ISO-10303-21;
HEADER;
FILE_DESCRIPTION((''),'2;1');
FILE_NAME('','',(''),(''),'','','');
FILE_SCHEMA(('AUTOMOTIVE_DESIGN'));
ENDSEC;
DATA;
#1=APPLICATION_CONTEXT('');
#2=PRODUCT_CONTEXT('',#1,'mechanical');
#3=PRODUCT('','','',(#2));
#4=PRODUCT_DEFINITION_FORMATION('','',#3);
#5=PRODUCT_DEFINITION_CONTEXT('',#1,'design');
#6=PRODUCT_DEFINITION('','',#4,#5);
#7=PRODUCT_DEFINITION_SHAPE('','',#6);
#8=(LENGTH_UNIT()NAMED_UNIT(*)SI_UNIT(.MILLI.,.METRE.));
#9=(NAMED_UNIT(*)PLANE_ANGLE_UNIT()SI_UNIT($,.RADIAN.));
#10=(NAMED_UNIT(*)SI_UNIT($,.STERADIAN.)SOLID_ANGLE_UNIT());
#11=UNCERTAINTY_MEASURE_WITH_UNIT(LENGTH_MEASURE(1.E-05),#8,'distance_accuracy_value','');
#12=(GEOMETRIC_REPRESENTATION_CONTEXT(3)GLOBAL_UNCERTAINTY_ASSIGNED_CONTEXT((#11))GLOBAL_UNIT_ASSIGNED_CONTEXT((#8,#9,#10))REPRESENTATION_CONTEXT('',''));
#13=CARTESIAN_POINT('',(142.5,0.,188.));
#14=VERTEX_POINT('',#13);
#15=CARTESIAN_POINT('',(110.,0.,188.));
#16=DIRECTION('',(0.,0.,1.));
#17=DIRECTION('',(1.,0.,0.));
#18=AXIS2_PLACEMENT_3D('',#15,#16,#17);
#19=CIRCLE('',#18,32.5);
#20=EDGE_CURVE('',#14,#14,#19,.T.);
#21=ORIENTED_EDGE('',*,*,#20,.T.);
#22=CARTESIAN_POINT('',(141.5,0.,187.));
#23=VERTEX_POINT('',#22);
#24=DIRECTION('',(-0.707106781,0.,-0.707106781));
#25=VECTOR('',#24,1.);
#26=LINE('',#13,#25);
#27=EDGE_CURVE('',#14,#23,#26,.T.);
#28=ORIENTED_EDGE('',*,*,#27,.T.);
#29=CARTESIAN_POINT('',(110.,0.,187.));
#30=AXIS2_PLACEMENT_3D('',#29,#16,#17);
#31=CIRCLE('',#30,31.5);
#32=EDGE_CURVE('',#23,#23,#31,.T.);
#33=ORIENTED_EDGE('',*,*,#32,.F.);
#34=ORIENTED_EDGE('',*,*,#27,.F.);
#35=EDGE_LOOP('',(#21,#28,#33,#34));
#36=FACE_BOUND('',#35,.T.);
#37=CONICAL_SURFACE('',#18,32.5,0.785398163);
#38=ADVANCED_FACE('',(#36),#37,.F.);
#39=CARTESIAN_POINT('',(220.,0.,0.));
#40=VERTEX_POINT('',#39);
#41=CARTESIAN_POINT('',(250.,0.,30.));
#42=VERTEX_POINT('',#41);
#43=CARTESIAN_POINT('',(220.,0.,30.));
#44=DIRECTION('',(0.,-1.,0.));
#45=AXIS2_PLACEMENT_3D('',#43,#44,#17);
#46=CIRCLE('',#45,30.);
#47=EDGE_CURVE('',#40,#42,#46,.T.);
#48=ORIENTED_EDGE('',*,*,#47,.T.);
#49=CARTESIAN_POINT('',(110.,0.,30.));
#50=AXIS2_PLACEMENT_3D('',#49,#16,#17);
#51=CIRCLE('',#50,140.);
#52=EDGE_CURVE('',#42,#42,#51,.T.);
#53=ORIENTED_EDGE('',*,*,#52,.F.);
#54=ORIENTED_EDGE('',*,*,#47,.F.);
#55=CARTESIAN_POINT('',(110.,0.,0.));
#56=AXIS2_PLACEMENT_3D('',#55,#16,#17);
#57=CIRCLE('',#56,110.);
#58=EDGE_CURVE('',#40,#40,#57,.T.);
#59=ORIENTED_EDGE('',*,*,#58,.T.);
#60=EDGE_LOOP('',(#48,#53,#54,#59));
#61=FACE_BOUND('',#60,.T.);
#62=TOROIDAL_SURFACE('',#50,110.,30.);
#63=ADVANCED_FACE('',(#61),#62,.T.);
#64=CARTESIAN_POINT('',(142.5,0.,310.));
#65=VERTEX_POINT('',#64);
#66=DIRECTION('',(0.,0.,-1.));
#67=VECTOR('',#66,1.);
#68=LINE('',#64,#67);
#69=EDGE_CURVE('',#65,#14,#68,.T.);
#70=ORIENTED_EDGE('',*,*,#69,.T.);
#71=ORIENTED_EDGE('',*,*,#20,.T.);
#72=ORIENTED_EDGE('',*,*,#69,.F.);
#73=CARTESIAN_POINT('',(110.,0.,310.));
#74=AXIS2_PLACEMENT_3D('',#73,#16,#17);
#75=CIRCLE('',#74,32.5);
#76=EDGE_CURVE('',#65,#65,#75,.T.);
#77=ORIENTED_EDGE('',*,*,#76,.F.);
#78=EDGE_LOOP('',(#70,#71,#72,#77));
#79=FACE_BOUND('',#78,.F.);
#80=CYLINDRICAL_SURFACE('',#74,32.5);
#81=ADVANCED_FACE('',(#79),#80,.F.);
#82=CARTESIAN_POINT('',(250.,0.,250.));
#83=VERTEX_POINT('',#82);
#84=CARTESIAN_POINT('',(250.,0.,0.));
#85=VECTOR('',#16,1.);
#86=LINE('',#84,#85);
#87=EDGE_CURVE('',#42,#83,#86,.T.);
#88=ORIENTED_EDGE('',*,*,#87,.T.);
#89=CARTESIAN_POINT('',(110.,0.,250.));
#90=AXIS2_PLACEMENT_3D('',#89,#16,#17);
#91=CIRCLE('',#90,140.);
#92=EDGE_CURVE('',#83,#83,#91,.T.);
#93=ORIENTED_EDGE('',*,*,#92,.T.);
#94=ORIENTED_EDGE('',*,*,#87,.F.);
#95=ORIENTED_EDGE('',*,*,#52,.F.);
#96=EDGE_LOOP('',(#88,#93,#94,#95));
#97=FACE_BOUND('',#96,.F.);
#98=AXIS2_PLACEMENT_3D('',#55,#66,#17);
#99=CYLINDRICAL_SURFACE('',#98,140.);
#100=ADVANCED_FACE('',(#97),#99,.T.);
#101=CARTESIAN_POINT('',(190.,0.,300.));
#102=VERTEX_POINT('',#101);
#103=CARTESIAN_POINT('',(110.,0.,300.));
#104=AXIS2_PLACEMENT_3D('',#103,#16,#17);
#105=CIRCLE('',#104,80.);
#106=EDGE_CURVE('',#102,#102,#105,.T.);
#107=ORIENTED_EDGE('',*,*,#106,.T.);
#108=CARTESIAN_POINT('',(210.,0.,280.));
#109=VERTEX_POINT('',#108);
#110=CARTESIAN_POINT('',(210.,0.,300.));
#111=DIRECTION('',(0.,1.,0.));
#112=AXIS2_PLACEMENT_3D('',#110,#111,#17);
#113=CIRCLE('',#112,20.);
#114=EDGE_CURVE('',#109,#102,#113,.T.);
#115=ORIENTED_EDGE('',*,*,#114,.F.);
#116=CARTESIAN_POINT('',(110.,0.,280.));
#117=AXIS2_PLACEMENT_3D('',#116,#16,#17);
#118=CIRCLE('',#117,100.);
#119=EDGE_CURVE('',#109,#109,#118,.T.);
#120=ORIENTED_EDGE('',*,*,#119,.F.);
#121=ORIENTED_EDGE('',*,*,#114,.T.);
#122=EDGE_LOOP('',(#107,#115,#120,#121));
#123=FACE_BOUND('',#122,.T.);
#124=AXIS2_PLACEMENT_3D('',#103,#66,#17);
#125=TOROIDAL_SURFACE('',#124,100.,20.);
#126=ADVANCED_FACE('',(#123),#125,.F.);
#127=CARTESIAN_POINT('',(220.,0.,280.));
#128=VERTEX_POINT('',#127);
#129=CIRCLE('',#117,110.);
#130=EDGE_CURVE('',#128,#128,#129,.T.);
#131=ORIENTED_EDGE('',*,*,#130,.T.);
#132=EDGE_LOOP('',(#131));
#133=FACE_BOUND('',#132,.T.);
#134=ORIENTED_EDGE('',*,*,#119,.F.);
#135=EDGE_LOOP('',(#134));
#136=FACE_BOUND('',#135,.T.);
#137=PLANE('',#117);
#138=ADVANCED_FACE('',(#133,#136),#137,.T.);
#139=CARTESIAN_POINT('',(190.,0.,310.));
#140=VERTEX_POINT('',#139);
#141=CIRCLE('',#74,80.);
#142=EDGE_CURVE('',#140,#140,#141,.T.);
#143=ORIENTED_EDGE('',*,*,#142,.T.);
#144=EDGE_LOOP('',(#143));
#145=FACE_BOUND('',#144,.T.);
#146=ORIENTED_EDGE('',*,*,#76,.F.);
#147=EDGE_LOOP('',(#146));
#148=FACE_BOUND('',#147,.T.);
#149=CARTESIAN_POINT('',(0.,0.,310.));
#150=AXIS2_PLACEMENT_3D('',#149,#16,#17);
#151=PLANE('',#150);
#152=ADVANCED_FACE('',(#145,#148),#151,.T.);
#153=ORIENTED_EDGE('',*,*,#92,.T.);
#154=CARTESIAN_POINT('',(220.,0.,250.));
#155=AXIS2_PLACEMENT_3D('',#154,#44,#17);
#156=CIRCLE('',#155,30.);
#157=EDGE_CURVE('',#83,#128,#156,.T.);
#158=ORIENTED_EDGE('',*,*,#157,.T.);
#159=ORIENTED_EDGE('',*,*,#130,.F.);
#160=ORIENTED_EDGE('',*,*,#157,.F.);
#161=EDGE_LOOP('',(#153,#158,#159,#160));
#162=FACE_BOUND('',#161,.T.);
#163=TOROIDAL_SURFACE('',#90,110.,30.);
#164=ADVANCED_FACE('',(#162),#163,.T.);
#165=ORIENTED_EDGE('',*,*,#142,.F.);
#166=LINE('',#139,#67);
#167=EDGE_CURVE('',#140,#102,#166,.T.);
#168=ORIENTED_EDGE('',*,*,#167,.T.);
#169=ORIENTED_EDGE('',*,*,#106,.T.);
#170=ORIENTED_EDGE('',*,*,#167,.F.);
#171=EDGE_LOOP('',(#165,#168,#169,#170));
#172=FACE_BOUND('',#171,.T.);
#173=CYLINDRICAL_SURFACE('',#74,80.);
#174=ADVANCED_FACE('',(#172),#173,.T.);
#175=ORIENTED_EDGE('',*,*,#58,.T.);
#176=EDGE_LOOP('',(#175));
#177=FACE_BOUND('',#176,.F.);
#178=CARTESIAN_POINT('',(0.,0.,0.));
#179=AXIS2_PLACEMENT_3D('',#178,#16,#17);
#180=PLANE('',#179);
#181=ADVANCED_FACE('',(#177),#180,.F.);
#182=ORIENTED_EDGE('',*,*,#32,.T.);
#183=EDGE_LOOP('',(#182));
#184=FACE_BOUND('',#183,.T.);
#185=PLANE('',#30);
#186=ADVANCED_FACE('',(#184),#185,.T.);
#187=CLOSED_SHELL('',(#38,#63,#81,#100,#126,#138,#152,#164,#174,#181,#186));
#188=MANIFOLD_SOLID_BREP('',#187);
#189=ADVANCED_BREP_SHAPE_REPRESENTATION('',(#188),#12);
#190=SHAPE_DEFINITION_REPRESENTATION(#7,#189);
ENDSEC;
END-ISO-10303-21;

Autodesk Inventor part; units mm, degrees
ref_plane "YZ Plane" through (0, 0, 0) normal (1, 0, 0) x (0, 1, 0)
ref_plane "XZ Plane" through (0, 0, 0) normal (0, 1, 0) x (-1, 0, 0)
ref_plane "XY Plane" through (0, 0, 0) normal (0, 0, 1) x (1, 0, 0)
ref_plane "Płaszczyzna konstrukcyjna1" through (0, 0, 0) normal (0, 0, 1) x (1, 0, 0)
sketch "Szkic1" plane through (0, 0, 0) normal (0, 0, 1) x (1, 0, 0)
  circle A0 centre (110, 0) radius 110 projected
  circle A1 centre (110, 0) radius 140 projected
  point P0 (0, 0)
extrude "Wyciągnięcie proste1" add sketch "Szkic1" along normal blind 310 contours A0 | A1
fillet "Zaokrąglenie1" radius 30 1 edges at (-30, 0, 0)
sketch "Szkic2" plane through (110, 0, 310) normal (0, 0, 1) x (1, 0, 0)
  circle A0 centre (0, 0) radius 80
  circle A1 centre (0, 0) radius 140
  point P0 (-110, 0)
  dimension "d3" = 160
extrude "Wyciągnięcie proste2" cut sketch "Szkic2" against normal blind 30
fillet "Zaokrąglenie2" radius 30 1 edges at (-30, 0, 280)
fillet "Zaokrąglenie3" radius 20 1 edges at (30, 0, 280)
sketch "Szkic3" plane through (110, 0, 310) normal (0, 0, 1) x (1, 0, 0)
  circle A0 centre (0, 0) radius 32.5
  point P0 (-110, 0)
  dimension "d8" = 65
extrude "Wyciągnięcie proste3" cut sketch "Szkic3" against normal blind 123
chamfer "Faza1" distance 1 angle 45 1 edges at (77.5, 0, 187)
properties part number "wodaxD" material "Woda"
